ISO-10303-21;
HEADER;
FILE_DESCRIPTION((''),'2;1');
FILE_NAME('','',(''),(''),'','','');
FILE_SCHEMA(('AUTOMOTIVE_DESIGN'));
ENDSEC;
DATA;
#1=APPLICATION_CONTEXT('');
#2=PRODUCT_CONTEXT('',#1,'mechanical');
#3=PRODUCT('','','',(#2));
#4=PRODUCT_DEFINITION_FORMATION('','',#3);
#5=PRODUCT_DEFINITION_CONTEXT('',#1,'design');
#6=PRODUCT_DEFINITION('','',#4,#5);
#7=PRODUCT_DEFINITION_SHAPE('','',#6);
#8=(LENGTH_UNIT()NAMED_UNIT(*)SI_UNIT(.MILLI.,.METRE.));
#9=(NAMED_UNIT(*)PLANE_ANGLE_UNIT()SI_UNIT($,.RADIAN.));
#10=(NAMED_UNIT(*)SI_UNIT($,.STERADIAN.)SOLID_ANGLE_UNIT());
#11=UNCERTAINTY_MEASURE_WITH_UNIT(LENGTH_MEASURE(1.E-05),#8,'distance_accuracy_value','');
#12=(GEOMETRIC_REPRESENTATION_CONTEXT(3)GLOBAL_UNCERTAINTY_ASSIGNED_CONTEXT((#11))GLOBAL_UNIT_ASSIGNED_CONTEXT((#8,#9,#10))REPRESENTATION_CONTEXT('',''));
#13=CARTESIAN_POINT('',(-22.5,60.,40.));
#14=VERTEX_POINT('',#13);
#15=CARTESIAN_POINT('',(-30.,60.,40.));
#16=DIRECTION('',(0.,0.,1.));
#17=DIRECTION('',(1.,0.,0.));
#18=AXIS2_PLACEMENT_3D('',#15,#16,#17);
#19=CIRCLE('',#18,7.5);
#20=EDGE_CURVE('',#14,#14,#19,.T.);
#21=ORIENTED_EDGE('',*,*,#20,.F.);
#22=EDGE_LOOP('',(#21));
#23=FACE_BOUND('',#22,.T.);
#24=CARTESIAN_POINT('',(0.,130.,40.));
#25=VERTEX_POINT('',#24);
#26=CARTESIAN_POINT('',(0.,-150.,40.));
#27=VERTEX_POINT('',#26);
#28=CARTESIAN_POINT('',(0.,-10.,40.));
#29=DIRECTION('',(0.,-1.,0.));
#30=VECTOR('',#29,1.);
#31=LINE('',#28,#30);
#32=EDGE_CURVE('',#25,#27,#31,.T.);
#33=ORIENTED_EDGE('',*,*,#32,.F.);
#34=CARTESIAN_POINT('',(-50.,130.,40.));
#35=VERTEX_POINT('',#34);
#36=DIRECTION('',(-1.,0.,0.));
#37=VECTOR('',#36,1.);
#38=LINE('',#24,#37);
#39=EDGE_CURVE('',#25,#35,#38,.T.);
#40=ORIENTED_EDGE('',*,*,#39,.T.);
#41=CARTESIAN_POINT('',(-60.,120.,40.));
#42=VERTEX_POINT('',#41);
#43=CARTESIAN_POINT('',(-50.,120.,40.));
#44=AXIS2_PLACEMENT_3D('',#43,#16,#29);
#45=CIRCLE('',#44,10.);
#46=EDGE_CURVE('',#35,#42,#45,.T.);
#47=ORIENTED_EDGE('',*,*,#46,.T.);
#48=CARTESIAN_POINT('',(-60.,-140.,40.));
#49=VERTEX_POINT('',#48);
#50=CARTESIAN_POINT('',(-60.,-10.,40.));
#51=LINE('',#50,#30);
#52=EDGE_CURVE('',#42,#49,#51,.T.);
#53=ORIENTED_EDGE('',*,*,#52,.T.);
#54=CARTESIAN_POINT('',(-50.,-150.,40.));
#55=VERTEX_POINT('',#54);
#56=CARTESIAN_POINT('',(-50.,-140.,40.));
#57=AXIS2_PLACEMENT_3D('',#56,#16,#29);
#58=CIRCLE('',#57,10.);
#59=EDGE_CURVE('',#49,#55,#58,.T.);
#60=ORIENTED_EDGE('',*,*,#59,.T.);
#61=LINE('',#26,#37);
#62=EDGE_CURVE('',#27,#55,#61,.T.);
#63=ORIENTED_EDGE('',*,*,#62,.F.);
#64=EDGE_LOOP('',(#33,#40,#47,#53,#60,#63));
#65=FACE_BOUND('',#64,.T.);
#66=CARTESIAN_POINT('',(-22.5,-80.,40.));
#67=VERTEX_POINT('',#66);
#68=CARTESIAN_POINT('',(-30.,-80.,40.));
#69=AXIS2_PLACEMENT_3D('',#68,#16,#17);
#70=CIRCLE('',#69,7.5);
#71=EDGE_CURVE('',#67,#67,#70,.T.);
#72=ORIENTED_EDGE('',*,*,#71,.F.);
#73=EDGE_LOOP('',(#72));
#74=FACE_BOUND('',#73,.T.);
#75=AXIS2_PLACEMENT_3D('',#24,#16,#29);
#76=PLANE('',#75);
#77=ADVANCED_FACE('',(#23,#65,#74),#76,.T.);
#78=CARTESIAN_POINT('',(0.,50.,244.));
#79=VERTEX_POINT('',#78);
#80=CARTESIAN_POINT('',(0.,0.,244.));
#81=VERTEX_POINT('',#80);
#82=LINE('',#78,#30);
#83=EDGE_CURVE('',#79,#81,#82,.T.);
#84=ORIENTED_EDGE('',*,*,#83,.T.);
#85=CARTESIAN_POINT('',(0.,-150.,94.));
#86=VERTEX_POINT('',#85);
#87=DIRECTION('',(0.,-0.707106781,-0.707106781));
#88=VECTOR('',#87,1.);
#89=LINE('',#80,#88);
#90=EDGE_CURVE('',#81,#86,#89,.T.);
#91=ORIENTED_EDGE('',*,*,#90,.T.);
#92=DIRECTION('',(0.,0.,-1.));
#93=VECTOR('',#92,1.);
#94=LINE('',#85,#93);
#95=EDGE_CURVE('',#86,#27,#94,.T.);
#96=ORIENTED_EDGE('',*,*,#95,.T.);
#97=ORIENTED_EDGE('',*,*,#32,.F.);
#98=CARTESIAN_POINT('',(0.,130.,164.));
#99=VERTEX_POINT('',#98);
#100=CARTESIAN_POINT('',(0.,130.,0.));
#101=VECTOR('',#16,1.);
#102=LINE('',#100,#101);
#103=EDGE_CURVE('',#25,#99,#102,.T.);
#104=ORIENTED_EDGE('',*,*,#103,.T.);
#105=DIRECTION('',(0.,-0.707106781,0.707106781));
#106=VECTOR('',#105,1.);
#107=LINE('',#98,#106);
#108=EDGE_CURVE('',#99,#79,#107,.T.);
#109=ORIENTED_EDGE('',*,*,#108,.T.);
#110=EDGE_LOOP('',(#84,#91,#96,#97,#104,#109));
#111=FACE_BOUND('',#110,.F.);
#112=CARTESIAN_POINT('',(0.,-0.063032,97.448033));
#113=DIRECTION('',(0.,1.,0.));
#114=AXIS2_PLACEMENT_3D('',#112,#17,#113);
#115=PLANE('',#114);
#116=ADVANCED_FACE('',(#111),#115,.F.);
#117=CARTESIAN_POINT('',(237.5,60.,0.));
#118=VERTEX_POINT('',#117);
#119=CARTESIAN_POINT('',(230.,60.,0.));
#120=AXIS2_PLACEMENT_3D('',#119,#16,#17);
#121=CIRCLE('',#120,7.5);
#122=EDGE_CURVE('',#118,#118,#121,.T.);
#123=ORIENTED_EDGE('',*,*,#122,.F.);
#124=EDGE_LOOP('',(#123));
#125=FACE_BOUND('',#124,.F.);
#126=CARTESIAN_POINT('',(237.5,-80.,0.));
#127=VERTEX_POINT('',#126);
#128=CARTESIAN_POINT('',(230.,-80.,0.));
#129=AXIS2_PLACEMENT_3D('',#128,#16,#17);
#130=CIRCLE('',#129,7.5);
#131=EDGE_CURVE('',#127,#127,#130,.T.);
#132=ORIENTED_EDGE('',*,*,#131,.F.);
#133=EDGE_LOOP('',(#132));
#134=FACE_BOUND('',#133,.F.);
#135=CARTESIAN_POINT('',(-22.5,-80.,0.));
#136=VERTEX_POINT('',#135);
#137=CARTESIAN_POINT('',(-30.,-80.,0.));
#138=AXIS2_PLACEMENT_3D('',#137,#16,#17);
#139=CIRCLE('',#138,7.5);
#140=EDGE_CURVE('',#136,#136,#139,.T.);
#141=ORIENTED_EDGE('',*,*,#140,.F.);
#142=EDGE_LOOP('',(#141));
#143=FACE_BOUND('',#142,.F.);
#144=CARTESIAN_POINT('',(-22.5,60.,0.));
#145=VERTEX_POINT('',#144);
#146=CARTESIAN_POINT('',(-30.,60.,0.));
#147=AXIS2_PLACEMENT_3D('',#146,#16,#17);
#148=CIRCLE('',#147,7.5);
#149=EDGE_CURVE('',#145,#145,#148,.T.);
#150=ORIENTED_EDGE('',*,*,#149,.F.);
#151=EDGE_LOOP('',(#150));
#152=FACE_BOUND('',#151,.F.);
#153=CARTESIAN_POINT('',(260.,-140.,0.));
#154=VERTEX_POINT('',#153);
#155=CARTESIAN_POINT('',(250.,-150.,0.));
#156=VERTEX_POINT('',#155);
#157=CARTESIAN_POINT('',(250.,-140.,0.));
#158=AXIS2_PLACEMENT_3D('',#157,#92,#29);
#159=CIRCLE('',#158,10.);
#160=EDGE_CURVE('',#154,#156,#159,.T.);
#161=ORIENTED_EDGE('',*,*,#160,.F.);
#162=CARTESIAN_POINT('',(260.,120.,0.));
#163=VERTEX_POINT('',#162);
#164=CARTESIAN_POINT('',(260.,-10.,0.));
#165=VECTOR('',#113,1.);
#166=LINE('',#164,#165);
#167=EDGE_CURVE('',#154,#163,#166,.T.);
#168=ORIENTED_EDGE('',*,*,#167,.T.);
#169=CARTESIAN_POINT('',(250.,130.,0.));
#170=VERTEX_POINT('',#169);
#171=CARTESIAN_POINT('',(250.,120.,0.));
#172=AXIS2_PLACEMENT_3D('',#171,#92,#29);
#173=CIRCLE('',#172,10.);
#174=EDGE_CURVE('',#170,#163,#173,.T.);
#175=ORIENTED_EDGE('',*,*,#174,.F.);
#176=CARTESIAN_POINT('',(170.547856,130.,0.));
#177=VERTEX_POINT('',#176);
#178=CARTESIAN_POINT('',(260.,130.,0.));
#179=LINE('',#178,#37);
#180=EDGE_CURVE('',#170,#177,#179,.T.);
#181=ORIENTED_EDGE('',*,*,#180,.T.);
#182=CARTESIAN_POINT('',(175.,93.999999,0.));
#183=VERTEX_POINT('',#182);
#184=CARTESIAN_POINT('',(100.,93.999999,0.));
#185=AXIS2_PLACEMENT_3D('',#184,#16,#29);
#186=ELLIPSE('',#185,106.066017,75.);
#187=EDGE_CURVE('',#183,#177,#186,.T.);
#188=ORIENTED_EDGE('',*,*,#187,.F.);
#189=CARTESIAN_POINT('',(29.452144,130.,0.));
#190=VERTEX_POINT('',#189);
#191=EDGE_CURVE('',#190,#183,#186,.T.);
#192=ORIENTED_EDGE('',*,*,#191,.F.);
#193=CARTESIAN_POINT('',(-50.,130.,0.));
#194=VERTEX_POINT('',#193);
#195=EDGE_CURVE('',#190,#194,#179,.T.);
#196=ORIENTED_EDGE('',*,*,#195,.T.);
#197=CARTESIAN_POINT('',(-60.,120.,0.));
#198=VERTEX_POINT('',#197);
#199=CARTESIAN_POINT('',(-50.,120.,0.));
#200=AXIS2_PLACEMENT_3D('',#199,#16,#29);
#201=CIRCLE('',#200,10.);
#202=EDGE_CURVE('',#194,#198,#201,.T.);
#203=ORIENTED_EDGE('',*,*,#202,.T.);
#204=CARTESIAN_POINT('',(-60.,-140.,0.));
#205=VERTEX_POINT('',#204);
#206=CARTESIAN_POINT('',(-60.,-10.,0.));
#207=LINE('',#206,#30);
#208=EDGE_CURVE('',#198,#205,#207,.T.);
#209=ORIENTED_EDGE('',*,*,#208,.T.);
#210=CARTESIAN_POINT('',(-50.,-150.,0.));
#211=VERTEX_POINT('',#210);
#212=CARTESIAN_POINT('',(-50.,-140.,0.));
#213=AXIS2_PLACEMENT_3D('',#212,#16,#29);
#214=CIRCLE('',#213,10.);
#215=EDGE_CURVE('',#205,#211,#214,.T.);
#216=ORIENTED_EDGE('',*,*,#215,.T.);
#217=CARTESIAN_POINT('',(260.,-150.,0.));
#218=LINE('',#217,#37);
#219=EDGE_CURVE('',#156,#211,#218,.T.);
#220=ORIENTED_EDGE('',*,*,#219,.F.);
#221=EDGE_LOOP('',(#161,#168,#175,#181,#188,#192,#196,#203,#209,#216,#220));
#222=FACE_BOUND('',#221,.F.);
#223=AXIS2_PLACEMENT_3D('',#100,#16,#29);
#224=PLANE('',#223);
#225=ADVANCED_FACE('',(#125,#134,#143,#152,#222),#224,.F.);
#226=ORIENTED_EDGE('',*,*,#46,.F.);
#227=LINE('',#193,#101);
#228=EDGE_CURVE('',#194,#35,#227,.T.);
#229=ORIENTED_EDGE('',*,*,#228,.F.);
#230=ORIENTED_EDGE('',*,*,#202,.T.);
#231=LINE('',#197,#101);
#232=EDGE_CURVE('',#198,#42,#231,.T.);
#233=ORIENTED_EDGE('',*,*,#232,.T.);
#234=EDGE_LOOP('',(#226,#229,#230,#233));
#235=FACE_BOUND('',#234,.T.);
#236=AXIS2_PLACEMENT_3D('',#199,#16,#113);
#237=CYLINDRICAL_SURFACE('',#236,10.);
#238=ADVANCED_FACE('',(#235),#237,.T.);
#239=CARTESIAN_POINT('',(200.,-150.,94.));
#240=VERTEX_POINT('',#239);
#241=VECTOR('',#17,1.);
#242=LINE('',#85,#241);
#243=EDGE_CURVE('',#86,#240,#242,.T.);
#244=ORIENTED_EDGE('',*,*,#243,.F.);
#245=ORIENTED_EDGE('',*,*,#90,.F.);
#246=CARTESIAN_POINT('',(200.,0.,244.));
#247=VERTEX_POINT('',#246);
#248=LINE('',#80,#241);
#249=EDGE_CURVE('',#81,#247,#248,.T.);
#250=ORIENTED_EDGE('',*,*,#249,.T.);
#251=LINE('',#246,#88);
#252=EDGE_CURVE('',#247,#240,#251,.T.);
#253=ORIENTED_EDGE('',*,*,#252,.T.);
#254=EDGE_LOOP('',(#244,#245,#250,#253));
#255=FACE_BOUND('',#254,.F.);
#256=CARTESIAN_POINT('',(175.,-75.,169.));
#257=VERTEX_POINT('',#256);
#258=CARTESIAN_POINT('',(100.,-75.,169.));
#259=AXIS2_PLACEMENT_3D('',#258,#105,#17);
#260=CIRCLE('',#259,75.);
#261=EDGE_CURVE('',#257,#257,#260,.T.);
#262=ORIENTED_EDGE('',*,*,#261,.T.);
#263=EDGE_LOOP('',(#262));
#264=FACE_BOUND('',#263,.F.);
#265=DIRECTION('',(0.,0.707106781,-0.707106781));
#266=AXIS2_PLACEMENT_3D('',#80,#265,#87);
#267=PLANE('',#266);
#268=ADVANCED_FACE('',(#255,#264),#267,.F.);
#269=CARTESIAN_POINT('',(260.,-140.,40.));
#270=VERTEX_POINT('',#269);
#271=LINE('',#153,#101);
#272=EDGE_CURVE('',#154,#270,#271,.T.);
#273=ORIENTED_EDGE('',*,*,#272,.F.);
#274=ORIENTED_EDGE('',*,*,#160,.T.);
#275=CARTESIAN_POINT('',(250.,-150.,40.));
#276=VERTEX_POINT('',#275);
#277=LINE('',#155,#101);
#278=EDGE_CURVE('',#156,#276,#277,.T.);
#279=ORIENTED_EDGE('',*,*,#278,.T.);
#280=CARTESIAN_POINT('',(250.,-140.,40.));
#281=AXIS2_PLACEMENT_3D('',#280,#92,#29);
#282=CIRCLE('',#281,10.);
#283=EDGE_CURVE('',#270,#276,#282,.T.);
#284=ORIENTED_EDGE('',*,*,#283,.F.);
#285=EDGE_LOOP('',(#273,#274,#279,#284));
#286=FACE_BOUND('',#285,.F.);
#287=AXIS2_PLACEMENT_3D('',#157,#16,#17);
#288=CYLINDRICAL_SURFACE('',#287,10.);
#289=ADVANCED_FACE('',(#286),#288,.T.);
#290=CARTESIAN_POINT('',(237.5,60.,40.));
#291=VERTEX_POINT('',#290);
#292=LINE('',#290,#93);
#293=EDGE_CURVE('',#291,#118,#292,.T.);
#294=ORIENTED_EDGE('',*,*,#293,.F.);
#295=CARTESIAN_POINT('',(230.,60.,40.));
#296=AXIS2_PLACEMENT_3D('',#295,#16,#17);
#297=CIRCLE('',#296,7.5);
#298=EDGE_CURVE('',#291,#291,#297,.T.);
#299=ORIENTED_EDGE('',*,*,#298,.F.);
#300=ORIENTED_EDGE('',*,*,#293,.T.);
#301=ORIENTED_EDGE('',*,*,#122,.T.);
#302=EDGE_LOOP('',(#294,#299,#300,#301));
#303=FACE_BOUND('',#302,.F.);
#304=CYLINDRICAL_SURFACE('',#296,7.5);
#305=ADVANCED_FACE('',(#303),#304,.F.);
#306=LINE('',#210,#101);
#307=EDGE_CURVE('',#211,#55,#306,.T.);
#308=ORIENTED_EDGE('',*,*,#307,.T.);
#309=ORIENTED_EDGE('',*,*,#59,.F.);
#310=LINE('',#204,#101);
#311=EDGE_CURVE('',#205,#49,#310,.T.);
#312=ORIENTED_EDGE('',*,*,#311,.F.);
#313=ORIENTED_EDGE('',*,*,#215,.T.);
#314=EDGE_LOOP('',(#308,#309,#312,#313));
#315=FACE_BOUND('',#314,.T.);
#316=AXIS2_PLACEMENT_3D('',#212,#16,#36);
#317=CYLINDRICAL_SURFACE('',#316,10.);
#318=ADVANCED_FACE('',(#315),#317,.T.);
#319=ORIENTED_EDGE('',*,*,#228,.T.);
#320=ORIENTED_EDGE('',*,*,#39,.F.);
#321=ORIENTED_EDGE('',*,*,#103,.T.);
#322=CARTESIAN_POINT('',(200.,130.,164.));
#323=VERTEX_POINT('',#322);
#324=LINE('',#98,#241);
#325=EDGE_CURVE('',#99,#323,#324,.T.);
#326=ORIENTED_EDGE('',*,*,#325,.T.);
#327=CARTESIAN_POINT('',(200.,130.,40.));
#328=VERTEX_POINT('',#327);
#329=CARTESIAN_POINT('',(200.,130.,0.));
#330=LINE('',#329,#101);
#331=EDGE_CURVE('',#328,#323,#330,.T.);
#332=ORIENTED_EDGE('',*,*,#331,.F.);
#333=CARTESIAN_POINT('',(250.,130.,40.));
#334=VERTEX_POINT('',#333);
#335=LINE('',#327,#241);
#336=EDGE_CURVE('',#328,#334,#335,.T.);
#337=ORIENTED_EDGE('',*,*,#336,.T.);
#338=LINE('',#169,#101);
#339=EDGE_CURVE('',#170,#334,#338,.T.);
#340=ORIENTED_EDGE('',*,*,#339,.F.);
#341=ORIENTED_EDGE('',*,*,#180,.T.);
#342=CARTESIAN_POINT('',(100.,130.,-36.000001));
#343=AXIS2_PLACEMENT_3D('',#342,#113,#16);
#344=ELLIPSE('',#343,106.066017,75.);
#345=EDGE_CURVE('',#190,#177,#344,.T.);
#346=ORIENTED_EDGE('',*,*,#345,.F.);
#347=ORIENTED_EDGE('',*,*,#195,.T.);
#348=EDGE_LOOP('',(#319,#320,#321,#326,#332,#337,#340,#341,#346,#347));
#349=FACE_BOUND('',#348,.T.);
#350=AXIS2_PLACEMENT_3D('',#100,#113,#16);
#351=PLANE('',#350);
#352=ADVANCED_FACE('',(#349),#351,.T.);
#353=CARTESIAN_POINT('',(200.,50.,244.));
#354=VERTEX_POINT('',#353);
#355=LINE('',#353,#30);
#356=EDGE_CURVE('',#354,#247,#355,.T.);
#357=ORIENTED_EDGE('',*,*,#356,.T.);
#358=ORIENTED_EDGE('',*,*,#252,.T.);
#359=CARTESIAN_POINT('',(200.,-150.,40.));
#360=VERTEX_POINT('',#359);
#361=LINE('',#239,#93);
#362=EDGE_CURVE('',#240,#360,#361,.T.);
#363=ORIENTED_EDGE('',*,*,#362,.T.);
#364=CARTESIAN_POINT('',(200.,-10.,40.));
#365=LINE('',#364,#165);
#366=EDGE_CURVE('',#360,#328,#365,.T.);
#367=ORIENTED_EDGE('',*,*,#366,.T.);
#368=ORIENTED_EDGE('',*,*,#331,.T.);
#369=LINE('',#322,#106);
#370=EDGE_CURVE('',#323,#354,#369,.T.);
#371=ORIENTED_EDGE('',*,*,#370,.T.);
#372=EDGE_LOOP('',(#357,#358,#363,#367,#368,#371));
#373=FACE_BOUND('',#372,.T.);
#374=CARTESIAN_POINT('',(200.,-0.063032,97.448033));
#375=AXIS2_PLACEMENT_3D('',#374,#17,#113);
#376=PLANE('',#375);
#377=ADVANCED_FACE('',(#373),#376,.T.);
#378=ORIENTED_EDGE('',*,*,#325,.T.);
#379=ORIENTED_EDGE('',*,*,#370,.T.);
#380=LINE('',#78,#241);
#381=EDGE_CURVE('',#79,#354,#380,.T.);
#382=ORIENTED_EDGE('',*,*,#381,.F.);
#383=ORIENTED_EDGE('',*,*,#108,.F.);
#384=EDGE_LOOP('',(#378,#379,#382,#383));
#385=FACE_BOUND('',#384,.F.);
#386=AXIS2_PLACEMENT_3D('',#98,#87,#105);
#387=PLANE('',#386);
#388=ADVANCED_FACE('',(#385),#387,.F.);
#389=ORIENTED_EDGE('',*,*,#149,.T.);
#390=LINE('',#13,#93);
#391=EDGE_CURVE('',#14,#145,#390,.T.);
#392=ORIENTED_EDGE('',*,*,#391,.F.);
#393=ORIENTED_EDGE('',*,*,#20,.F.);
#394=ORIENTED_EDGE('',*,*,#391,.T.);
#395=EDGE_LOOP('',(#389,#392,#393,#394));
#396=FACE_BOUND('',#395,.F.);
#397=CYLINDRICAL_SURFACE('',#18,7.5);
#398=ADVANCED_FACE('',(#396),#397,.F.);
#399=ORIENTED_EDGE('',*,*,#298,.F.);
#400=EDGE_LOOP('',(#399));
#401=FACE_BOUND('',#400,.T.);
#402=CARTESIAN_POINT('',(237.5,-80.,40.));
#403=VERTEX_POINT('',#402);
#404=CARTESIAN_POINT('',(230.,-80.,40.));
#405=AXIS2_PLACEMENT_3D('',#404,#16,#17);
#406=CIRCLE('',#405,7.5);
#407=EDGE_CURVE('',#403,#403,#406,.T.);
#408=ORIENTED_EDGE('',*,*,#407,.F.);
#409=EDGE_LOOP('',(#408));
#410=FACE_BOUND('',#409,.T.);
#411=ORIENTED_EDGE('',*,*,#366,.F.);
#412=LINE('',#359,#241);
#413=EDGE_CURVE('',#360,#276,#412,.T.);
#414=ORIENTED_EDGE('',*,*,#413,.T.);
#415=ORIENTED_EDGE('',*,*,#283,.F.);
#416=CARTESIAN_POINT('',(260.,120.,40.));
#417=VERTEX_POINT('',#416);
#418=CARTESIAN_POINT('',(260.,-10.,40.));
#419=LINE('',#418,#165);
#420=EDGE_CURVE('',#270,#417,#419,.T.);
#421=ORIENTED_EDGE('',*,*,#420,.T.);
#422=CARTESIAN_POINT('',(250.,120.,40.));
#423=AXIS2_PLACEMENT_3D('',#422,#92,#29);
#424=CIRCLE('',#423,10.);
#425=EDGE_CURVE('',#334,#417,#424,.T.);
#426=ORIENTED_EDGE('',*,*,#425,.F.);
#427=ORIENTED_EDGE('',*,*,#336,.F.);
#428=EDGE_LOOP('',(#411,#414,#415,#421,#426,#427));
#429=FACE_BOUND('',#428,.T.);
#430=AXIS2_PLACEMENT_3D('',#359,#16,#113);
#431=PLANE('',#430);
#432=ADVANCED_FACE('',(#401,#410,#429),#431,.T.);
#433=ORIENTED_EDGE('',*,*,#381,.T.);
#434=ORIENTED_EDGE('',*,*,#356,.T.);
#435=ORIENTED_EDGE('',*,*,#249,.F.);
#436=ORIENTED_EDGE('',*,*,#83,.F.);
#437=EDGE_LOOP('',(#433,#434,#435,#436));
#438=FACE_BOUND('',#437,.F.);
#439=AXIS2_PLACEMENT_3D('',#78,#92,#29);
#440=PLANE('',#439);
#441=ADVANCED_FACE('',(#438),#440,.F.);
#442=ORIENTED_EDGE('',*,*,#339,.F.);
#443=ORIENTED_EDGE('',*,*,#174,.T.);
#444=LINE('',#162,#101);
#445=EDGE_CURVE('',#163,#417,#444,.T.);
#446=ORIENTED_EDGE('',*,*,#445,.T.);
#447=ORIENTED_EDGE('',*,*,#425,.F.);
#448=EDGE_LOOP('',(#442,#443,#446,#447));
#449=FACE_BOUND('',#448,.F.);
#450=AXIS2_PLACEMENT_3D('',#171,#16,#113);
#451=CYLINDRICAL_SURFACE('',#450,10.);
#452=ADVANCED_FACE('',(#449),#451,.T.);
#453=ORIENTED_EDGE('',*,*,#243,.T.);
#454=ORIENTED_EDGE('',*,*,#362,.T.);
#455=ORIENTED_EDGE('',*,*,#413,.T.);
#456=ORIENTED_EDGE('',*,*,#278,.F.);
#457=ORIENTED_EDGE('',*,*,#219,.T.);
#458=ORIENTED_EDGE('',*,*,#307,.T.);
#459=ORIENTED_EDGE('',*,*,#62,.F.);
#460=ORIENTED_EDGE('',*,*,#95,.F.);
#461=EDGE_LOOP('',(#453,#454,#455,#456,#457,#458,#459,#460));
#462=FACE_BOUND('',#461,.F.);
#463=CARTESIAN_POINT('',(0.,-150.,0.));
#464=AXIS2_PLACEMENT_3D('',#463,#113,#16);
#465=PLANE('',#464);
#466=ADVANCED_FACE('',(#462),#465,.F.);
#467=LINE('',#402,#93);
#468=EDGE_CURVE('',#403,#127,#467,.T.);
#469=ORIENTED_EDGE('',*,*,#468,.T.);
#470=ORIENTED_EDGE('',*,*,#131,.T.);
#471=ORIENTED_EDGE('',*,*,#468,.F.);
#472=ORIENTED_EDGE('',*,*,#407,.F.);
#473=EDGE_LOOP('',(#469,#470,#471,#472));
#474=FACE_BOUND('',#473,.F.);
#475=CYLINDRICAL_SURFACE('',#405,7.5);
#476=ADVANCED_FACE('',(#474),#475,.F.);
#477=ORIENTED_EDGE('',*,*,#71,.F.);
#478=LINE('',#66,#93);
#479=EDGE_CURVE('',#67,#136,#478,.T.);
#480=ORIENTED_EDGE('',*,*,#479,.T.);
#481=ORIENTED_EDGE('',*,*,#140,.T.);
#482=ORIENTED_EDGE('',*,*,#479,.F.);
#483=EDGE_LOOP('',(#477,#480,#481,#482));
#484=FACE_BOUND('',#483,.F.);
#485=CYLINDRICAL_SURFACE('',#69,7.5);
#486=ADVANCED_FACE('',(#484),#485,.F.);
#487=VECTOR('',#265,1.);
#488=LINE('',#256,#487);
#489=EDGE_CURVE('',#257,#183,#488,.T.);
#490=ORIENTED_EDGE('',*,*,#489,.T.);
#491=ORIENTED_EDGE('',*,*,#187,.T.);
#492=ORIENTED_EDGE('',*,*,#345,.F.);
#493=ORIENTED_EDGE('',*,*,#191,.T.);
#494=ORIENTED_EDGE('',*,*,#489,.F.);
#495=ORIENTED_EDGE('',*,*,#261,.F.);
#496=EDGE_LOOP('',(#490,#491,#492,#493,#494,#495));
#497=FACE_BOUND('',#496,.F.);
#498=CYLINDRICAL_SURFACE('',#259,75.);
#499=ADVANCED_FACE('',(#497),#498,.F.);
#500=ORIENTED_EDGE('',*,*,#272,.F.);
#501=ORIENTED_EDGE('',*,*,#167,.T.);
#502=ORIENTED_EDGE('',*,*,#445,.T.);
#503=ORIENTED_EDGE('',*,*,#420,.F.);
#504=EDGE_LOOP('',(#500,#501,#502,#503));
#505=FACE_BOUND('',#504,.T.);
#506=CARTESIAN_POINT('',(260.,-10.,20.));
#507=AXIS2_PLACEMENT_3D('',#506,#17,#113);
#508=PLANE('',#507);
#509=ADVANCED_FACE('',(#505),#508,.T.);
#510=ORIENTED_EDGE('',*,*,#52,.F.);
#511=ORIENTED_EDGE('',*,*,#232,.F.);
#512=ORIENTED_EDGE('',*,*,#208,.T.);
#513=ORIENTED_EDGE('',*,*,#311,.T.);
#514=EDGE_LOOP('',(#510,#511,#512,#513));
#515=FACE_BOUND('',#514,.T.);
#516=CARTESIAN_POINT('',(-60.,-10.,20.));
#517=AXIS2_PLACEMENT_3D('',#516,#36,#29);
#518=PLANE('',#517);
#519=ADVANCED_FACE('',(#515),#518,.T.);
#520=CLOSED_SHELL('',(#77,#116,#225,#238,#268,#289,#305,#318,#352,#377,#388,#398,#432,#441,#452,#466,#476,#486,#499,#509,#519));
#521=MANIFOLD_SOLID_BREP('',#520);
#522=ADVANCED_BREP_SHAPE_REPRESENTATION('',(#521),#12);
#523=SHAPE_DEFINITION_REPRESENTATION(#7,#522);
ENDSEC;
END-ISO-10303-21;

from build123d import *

# Parameters (mm, degrees)
F1_DEPTH  = 200
F2_W      = 280
F2_H      = 40
F3_DEPTH  = 60
F4_W      = 280
F4_H      = 40
F5_DEPTH  = 60
F6_R      = 75
F7_DEPTH  = 300
F8_R      = 7.5
F9_DEPTH  = 40
F10_R     = 7.5
F11_DEPTH = 40
F12_R     = 10


with BuildPart() as f1:
    # F0 (on Right) → F1 (new body)
    with BuildSketch(Plane.YZ):
        Polygon((-150, 94), (-150, 0), (130, 0), (130, 164), (50, 244), (0, 244), align=None)
    extrude(amount=F1_DEPTH)

    # F2 (on face) → F3 (join)
    with BuildSketch(Plane.YZ.offset(200)):
        with Locations((-10, 20)):
            Rectangle(F2_W, F2_H)
    extrude(amount=F3_DEPTH)

    # F4 (on face) → F5 (join)
    with BuildSketch(Plane(origin=(0, 0, 0), x_dir=(0, -1, 0), z_dir=(-1, 0, 0))):
        with Locations((10, 20)):
            Rectangle(F4_W, F4_H)
    extrude(amount=F5_DEPTH)

    # F6 (on face) → F7 (cut)
    with BuildSketch(Plane(origin=(0, -122, 122), x_dir=(1, 0, 0), z_dir=(0, -0.707107, 0.707107))):
        with Locations((100, 66.468037)):
            Circle(F6_R)
    extrude(amount=-F7_DEPTH, mode=Mode.SUBTRACT)

    # F8 (on face) → F9 (cut)
    with BuildSketch(Plane.XY.offset(40)):
        with Locations((-30, 60)):
            Circle(F8_R)
        with Locations((-30, -80)):
            Circle(F8_R)
    extrude(amount=-F9_DEPTH, mode=Mode.SUBTRACT)

    # F10 (on face) → F11 (cut)
    with BuildSketch(Plane.XY.offset(40)):
        with Locations((230, 60)):
            Circle(F10_R)
        with Locations((230, -80)):
            Circle(F10_R)
    extrude(amount=-F11_DEPTH, mode=Mode.SUBTRACT)

    # F12
    f12_edges = [f1.edges().sort_by_distance(p)[0] for p in [
        (-60, -150, 20),
        (260, -150, 20),
        (260, 130, 20),
        (-60, 130, 20),
    ]]
    fillet(f12_edges, radius=F12_R)


solid = f1.part
